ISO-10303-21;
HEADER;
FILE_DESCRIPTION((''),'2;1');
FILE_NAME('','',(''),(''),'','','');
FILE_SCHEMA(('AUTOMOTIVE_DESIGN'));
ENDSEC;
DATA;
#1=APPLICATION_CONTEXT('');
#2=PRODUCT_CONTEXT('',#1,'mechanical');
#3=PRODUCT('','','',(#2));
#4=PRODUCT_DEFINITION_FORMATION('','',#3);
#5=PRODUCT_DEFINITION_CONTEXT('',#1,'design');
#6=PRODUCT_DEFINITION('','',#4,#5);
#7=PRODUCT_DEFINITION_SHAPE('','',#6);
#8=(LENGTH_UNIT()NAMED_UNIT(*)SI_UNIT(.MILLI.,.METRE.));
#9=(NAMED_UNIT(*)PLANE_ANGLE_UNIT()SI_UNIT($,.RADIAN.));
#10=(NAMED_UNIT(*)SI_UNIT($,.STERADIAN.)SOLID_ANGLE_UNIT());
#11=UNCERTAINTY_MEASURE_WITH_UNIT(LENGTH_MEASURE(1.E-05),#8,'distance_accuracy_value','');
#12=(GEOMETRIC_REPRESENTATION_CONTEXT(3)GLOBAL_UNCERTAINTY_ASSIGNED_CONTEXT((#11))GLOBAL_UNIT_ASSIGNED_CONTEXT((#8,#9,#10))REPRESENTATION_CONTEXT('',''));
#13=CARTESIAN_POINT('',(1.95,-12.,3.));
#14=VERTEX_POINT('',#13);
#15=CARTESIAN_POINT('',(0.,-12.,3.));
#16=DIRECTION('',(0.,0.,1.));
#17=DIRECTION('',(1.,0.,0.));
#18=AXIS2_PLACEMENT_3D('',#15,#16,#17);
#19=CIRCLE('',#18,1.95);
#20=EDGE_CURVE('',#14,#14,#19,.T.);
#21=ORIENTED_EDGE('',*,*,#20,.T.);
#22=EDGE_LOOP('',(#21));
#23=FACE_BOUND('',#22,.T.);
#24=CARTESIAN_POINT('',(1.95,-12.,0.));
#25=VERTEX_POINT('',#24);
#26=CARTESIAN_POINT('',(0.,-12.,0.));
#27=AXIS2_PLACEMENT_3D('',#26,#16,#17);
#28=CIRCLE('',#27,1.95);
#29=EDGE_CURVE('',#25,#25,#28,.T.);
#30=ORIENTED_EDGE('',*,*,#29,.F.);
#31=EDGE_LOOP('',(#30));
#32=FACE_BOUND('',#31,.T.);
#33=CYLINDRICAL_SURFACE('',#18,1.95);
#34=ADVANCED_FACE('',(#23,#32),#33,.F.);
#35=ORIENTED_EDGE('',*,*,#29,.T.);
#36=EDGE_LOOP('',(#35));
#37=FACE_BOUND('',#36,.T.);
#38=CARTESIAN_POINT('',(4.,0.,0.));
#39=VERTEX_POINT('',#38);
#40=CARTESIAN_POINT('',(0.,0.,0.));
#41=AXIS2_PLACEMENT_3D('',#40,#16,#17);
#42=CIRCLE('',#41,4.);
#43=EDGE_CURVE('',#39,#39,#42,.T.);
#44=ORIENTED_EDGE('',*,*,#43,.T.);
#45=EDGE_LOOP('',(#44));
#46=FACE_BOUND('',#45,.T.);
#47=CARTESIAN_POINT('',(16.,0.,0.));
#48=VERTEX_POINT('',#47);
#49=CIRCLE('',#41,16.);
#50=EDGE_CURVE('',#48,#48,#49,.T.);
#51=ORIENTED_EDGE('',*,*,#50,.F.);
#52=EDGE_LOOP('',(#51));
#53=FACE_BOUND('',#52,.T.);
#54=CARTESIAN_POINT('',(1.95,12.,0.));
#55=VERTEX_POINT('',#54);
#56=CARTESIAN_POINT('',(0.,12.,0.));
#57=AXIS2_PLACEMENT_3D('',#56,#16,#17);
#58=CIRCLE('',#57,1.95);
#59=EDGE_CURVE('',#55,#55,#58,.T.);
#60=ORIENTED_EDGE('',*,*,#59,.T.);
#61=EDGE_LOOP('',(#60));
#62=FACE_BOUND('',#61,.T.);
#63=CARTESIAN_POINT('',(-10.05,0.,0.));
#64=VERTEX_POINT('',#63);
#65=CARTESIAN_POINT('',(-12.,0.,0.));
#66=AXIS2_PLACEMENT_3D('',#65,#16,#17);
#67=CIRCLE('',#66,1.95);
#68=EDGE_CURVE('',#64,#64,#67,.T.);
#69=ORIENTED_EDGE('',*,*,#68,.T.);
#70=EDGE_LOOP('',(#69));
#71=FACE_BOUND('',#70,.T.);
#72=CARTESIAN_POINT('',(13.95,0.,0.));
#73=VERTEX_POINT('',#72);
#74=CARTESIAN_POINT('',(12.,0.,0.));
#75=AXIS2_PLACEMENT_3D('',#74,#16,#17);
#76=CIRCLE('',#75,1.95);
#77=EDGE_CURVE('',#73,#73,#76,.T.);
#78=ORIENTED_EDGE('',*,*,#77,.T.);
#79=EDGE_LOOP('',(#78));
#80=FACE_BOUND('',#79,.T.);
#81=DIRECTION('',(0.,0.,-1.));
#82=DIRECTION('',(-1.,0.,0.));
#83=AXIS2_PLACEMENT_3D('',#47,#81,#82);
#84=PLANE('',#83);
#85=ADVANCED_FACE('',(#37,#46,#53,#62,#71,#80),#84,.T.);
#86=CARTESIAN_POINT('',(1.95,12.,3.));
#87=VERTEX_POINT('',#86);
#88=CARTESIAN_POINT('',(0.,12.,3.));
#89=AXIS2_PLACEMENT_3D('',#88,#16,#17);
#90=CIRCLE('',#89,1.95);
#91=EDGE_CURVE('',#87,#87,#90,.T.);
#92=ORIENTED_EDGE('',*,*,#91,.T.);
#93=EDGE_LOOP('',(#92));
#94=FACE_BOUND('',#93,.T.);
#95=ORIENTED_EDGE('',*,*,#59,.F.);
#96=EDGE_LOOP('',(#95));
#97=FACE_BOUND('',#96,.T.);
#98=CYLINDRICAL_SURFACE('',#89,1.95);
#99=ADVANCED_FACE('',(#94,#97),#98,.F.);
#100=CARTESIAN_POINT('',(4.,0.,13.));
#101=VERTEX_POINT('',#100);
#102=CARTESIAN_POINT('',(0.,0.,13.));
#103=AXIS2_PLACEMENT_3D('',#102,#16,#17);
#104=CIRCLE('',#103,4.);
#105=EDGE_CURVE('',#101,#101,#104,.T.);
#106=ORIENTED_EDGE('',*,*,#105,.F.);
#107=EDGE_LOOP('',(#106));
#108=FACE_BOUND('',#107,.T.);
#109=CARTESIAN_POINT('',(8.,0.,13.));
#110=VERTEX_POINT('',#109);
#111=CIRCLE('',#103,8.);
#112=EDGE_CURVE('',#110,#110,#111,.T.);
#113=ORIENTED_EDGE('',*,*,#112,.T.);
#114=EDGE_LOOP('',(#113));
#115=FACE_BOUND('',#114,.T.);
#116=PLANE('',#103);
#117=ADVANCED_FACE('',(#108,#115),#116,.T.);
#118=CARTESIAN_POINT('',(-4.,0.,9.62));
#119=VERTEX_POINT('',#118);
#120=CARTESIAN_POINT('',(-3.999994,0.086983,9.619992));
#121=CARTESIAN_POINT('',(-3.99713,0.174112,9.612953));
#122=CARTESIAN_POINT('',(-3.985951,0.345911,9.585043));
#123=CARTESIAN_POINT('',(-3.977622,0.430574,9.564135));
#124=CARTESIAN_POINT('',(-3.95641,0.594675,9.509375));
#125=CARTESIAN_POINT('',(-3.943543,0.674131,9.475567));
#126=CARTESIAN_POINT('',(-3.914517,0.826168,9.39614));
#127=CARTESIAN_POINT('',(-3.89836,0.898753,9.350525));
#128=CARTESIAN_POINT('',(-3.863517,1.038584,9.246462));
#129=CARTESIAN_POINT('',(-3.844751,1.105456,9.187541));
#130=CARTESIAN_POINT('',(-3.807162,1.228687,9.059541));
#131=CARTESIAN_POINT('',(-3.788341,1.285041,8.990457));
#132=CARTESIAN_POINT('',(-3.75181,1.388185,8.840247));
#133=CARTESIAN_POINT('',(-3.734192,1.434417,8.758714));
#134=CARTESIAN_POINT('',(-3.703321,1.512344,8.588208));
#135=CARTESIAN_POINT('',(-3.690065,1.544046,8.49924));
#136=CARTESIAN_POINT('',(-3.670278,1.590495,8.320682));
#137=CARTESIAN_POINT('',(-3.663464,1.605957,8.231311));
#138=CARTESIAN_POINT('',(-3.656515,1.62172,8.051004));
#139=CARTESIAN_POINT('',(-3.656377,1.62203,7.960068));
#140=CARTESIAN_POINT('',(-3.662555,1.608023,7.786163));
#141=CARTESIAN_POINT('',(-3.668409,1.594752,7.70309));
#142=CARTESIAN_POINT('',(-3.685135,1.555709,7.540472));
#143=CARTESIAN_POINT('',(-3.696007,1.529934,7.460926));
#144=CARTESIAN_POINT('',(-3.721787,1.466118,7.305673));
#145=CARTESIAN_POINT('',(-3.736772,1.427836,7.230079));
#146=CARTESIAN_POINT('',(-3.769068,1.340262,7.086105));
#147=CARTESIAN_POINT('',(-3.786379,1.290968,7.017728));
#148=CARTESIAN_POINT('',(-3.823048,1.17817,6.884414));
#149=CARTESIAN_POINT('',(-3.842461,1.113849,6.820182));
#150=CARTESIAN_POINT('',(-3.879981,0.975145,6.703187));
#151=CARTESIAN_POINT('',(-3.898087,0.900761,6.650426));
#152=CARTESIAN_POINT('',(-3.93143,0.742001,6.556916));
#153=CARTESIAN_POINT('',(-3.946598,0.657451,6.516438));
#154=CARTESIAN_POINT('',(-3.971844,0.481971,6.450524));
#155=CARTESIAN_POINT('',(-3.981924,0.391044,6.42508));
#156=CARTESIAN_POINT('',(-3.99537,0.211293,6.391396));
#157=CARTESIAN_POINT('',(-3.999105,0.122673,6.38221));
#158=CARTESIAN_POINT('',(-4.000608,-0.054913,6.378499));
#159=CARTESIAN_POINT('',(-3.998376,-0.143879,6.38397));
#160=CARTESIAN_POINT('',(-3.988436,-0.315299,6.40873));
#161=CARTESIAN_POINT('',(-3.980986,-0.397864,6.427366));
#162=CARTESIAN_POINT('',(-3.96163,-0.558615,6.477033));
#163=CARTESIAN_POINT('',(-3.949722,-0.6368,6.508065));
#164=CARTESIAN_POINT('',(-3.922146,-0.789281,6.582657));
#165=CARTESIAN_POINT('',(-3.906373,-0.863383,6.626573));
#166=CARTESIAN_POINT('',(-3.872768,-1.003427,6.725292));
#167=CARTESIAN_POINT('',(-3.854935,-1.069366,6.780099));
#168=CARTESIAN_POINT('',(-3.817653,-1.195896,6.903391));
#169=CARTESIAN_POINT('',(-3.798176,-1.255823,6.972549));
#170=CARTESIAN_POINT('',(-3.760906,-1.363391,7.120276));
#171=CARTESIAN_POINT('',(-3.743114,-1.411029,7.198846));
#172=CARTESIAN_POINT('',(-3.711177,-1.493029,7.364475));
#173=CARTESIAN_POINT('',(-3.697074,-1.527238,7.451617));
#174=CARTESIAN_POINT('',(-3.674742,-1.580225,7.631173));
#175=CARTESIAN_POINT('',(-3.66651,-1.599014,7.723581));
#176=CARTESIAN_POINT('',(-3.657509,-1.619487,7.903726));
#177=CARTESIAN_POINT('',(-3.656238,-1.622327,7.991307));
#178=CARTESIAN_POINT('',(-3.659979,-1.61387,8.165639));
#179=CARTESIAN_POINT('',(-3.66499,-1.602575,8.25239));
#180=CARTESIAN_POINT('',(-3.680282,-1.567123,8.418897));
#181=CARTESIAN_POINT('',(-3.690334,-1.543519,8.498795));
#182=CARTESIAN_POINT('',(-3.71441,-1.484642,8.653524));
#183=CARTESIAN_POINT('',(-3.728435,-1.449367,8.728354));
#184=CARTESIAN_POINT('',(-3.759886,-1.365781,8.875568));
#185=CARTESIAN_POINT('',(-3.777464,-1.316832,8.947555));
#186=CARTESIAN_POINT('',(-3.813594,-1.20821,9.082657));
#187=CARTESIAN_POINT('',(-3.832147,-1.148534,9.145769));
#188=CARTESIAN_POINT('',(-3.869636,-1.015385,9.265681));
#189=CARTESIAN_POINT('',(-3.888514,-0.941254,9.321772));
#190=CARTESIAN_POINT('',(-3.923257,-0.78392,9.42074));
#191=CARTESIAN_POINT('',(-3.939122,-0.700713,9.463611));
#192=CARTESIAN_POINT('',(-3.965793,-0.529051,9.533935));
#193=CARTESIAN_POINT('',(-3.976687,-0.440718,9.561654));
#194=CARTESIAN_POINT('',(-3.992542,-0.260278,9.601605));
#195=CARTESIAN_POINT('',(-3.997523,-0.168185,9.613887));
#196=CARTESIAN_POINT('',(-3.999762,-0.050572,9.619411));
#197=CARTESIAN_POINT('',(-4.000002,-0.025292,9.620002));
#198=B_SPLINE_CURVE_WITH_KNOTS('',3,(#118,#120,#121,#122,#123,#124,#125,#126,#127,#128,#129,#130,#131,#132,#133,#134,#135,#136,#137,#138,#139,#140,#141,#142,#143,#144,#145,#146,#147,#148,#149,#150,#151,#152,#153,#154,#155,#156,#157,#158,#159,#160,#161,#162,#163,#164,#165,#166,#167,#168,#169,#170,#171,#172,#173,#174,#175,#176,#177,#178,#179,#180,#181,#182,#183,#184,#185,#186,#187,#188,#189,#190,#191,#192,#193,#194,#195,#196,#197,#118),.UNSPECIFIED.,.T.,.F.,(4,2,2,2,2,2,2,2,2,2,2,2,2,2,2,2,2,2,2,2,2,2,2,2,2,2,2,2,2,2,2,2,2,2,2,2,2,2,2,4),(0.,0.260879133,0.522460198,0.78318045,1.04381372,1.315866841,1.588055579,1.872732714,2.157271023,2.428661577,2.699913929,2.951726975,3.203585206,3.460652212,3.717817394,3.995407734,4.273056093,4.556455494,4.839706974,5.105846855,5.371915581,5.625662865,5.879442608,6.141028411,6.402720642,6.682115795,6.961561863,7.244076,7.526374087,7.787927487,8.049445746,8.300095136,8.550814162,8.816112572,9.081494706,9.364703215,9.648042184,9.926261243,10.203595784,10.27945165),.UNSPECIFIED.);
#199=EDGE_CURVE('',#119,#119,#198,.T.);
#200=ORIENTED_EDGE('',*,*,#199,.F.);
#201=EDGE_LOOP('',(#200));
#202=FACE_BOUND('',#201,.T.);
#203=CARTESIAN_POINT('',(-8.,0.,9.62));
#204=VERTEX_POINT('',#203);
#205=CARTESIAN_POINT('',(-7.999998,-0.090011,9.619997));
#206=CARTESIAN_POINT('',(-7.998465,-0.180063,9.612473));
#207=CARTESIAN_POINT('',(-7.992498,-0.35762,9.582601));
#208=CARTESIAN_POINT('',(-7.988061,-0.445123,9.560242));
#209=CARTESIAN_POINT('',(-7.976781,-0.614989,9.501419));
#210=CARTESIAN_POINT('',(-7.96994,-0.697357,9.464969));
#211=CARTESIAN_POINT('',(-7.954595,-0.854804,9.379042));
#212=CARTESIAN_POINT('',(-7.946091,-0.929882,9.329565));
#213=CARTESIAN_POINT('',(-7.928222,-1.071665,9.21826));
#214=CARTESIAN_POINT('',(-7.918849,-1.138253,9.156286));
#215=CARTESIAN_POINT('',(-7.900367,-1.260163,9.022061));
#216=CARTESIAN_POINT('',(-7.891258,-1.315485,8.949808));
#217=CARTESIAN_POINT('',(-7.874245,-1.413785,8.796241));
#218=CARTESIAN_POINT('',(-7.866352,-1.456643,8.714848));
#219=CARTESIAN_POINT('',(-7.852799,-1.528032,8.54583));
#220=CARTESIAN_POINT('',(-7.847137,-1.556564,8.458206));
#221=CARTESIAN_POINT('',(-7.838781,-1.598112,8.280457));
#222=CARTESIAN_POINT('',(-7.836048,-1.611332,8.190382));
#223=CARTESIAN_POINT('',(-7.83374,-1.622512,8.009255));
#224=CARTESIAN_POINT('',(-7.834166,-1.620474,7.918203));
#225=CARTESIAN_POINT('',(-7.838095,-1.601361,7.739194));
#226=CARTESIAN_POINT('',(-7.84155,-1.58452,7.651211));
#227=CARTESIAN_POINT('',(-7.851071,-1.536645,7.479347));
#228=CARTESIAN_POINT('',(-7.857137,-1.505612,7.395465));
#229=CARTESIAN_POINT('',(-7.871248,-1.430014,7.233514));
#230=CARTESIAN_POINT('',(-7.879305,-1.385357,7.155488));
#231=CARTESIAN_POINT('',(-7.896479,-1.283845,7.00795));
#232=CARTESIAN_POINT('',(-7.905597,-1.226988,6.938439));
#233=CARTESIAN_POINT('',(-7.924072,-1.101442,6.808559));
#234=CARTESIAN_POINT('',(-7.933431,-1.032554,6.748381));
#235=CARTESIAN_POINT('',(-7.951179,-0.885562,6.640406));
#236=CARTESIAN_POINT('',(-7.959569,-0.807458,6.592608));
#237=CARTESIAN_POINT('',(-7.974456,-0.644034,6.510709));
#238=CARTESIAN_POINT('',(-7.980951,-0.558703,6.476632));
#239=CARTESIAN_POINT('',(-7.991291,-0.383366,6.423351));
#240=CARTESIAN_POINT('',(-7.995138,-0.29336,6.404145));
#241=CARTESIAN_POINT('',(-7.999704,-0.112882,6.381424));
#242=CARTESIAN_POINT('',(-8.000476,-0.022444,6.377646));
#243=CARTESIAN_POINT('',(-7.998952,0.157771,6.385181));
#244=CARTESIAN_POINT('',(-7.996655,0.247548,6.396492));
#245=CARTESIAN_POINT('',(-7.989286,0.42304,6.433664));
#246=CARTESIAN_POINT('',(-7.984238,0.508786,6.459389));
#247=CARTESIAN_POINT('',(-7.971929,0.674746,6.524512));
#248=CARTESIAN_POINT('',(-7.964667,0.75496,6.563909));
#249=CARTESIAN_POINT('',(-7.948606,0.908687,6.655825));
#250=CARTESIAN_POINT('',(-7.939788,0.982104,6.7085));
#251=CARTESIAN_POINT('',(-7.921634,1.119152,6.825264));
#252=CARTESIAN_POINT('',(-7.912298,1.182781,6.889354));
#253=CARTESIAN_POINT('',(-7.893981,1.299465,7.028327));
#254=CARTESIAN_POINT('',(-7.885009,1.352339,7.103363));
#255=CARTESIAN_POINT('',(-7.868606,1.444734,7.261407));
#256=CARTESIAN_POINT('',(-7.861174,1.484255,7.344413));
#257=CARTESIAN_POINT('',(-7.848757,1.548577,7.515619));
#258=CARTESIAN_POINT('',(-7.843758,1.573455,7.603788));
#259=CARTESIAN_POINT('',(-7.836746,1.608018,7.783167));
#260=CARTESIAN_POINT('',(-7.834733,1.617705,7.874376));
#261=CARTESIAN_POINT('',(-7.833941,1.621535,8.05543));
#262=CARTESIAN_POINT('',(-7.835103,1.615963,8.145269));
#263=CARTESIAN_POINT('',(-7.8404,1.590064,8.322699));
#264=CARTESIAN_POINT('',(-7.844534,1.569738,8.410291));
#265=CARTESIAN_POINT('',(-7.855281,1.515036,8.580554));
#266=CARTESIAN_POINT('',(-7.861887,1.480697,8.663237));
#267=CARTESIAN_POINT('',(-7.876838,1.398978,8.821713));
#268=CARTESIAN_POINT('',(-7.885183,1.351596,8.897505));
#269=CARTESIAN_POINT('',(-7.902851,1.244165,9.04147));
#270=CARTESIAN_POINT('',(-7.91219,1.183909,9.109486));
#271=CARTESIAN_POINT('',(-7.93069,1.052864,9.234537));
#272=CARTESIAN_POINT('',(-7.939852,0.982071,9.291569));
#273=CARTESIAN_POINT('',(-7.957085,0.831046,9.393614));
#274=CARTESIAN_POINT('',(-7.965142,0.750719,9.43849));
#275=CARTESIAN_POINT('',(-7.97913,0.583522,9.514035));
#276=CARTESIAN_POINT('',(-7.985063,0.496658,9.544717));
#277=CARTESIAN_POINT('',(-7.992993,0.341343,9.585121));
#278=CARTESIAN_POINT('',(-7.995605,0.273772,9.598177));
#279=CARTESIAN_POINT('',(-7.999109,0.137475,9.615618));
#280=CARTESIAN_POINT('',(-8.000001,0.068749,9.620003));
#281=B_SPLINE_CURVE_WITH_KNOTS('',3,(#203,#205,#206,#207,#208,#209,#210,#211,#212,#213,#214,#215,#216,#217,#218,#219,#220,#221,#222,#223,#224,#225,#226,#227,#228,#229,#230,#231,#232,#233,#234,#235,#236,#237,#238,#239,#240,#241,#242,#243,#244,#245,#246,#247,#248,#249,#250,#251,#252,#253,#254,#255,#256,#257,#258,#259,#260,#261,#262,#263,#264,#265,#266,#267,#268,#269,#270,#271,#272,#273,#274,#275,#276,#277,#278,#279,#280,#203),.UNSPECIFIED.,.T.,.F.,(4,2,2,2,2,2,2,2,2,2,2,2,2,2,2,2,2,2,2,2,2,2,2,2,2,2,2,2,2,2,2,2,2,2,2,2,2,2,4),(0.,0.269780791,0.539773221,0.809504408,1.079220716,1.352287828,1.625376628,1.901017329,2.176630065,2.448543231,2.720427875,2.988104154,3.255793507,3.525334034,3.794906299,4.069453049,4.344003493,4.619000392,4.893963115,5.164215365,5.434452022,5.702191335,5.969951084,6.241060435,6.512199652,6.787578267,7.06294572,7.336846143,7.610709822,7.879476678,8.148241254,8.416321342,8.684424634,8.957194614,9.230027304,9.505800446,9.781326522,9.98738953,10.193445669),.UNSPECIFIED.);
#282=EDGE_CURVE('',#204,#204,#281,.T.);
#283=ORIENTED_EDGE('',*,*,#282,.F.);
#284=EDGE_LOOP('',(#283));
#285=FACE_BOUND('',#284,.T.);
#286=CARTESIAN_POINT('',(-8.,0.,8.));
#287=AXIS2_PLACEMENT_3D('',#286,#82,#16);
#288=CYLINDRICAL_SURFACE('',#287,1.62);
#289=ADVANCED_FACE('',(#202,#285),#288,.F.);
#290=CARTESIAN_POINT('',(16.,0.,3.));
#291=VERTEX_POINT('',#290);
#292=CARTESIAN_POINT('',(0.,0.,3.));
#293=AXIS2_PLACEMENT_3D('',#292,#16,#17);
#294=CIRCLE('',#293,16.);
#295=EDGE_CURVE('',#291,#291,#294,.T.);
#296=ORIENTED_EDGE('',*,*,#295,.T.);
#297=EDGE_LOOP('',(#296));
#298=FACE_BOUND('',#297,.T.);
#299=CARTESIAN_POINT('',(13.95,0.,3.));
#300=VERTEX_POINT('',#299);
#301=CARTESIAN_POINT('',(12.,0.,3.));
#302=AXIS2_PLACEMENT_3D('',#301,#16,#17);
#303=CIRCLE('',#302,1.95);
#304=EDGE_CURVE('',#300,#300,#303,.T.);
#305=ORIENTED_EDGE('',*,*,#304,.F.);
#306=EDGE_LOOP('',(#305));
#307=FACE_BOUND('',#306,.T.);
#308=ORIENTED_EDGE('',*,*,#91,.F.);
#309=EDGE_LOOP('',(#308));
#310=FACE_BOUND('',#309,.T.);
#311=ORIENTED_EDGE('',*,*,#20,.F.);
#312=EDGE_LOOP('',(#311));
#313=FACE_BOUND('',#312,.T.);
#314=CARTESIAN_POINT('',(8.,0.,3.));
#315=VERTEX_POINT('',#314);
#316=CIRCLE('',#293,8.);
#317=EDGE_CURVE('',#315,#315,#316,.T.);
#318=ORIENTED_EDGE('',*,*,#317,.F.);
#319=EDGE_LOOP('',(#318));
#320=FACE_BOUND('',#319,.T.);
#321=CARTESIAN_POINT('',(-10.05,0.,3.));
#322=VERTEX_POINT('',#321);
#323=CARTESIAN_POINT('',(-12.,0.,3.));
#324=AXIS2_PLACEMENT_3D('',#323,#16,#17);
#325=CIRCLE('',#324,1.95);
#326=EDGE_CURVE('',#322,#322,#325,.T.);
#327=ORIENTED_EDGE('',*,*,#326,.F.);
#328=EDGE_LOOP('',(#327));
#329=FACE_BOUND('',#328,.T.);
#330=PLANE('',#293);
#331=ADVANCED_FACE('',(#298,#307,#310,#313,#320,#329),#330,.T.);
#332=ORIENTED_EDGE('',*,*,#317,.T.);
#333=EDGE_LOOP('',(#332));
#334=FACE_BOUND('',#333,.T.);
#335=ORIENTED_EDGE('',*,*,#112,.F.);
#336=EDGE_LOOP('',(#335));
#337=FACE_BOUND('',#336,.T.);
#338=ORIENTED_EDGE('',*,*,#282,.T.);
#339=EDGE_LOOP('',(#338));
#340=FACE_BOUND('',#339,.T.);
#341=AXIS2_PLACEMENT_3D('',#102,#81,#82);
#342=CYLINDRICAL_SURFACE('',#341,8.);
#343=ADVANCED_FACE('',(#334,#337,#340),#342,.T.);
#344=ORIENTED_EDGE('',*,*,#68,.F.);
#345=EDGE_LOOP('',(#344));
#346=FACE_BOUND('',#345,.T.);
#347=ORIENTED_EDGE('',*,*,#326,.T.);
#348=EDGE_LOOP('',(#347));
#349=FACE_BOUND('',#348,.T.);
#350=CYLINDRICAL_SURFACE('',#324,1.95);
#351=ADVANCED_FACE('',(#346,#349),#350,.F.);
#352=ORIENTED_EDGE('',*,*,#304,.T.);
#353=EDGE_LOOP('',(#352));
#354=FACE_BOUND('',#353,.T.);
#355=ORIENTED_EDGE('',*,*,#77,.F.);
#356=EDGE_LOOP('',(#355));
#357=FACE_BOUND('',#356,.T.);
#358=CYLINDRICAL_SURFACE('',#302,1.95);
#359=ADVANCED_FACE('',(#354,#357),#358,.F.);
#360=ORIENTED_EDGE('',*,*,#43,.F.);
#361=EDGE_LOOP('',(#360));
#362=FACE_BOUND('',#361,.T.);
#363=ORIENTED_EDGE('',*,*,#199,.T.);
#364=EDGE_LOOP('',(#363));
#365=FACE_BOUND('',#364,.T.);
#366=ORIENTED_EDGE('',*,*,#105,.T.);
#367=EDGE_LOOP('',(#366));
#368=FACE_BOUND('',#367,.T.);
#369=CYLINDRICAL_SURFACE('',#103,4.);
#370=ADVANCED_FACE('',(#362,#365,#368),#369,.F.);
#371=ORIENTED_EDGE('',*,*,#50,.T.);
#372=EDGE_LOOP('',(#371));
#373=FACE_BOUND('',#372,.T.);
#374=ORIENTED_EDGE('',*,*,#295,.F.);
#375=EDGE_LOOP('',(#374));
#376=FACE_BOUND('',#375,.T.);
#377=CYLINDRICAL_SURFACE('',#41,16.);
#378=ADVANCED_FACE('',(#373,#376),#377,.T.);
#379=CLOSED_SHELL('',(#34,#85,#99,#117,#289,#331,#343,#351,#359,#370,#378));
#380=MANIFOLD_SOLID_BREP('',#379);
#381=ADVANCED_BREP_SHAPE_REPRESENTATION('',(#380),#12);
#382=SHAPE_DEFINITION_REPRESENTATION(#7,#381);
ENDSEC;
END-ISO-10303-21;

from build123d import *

# Parameters (mm, degrees)
SCHIZZO1_W                   = 16
SCHIZZO1_H                   = 3
SCHIZZO2_R                   = 8
ESTRUSIONE_ESTRUSIONE1_DEPTH = 10
FORO_3_9_3_9_1_D             = 3.9
FORO_8_0_8_1_D               = 8
FORO_PER_VITE_M3_1_REACH     = 31.933
FORO_PER_VITE_M3_1_BORE_R    = 1.62


with BuildPart() as part:
    # Schizzo1 → Rivoluzione1 (revolve)
    with BuildSketch(Plane(origin=(0, 0, 0), x_dir=(1, 0, 0), z_dir=(0, 1, 0))):
        with Locations((8, -1.5)):
            Rectangle(SCHIZZO1_W, SCHIZZO1_H)
    revolve(axis=Axis((0, 0, 0), (0, 0, 1)))

    # Schizzo2 → Estrusione-Estrusione1 (add)
    with BuildSketch(Plane.XY.offset(3)):
        Circle(SCHIZZO2_R)
    extrude(amount=ESTRUSIONE_ESTRUSIONE1_DEPTH)

    # Foro Ø3.9 (3.9)-1 (through all)
    with Locations(Plane.XY.offset(3)):
        with Locations((12, 0), (0, 12), (-12, 0), (0, -12)):
            Hole(FORO_3_9_3_9_1_D / 2)

    # Foro Ø8.0 (8)-1 (through all)
    with Locations(Plane.XY.offset(13)):
        with Locations((0, 0)):
            Hole(FORO_8_0_8_1_D / 2)

    # Foro per Vite M3-1 bore (on position points) → Foro per Vite M3-1 (cut, up to next)
    with BuildSketch(Plane(origin=(-8, 0, 8), x_dir=(0, 0, -1), z_dir=(-1, 0, 0)), mode=Mode.PRIVATE) as foro_per_vite_m3_1_sk1:
        Circle(FORO_PER_VITE_M3_1_BORE_R)
    foro_per_vite_m3_1_tool1 = extrude(foro_per_vite_m3_1_sk1.sketch, amount=-FORO_PER_VITE_M3_1_REACH, mode=Mode.PRIVATE) & part.part
    add(foro_per_vite_m3_1_tool1.solids().sort_by_distance((-8, 0, 8))[0], mode=Mode.SUBTRACT)


solid = part.part
